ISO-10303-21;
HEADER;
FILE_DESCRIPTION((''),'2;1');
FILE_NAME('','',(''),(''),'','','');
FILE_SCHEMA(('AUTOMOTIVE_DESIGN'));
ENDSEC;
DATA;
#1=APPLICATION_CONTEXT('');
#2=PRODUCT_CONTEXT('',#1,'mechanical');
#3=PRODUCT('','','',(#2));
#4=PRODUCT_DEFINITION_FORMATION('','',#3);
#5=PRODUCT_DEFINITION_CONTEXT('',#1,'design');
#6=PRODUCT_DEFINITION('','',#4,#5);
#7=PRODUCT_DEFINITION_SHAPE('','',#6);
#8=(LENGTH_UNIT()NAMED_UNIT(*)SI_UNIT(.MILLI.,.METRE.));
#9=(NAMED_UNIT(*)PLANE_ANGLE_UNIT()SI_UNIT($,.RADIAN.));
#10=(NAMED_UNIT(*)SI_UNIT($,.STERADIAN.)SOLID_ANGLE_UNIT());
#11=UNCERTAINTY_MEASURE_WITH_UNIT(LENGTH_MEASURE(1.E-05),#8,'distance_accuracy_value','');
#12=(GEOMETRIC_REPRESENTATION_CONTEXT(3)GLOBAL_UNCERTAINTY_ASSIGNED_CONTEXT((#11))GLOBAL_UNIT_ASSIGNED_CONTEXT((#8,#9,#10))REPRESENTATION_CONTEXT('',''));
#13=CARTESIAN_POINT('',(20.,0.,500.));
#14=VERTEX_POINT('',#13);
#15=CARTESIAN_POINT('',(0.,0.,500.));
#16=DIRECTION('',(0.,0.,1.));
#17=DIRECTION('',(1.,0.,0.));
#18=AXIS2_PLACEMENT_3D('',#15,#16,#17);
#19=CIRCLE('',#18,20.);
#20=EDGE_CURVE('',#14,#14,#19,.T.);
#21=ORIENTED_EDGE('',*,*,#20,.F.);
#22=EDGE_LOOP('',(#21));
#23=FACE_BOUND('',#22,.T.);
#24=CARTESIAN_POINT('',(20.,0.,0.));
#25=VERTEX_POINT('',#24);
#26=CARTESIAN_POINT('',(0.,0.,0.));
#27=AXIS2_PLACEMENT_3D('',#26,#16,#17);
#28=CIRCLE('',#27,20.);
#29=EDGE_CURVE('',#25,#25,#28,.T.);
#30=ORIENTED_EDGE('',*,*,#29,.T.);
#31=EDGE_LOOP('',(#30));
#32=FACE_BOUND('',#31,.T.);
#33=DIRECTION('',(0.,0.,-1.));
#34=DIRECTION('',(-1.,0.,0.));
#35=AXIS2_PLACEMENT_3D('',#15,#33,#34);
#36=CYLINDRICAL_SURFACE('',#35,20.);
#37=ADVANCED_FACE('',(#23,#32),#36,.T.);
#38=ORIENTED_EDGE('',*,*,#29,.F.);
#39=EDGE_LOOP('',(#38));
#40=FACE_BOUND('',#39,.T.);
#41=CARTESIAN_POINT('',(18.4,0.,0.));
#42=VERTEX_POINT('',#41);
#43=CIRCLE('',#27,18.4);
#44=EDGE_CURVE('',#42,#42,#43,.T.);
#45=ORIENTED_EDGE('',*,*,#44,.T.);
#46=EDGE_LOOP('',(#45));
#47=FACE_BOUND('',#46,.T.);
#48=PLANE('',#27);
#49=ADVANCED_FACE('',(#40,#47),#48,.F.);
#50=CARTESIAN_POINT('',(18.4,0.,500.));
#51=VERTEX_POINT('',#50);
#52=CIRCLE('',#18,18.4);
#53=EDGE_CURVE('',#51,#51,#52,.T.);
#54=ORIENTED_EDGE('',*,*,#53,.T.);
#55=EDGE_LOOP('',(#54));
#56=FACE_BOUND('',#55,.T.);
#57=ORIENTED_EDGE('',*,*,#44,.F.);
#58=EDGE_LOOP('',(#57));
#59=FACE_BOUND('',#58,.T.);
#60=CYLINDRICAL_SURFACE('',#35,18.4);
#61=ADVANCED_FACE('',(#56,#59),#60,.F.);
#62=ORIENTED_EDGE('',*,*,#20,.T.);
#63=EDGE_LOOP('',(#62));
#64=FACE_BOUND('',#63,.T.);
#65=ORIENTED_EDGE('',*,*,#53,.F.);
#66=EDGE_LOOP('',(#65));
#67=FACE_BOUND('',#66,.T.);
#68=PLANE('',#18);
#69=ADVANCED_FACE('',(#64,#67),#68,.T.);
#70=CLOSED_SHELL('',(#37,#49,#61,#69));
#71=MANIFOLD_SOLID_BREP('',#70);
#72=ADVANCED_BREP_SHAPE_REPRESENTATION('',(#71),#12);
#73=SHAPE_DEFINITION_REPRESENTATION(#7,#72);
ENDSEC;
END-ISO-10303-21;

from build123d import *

# Parameters (mm, degrees)
SKETCH_1_R      = 20
SKETCH_1_R_2    = 18.4
EXTRUDE_1_DEPTH = 500


with BuildPart() as part:
    # 스케치1 → 돌출-얇게1 (new body)
    with BuildSketch(Plane.XY):
        Circle(SKETCH_1_R)
        Circle(SKETCH_1_R_2, mode=Mode.SUBTRACT)
    extrude(amount=EXTRUDE_1_DEPTH)


solid = part.part
